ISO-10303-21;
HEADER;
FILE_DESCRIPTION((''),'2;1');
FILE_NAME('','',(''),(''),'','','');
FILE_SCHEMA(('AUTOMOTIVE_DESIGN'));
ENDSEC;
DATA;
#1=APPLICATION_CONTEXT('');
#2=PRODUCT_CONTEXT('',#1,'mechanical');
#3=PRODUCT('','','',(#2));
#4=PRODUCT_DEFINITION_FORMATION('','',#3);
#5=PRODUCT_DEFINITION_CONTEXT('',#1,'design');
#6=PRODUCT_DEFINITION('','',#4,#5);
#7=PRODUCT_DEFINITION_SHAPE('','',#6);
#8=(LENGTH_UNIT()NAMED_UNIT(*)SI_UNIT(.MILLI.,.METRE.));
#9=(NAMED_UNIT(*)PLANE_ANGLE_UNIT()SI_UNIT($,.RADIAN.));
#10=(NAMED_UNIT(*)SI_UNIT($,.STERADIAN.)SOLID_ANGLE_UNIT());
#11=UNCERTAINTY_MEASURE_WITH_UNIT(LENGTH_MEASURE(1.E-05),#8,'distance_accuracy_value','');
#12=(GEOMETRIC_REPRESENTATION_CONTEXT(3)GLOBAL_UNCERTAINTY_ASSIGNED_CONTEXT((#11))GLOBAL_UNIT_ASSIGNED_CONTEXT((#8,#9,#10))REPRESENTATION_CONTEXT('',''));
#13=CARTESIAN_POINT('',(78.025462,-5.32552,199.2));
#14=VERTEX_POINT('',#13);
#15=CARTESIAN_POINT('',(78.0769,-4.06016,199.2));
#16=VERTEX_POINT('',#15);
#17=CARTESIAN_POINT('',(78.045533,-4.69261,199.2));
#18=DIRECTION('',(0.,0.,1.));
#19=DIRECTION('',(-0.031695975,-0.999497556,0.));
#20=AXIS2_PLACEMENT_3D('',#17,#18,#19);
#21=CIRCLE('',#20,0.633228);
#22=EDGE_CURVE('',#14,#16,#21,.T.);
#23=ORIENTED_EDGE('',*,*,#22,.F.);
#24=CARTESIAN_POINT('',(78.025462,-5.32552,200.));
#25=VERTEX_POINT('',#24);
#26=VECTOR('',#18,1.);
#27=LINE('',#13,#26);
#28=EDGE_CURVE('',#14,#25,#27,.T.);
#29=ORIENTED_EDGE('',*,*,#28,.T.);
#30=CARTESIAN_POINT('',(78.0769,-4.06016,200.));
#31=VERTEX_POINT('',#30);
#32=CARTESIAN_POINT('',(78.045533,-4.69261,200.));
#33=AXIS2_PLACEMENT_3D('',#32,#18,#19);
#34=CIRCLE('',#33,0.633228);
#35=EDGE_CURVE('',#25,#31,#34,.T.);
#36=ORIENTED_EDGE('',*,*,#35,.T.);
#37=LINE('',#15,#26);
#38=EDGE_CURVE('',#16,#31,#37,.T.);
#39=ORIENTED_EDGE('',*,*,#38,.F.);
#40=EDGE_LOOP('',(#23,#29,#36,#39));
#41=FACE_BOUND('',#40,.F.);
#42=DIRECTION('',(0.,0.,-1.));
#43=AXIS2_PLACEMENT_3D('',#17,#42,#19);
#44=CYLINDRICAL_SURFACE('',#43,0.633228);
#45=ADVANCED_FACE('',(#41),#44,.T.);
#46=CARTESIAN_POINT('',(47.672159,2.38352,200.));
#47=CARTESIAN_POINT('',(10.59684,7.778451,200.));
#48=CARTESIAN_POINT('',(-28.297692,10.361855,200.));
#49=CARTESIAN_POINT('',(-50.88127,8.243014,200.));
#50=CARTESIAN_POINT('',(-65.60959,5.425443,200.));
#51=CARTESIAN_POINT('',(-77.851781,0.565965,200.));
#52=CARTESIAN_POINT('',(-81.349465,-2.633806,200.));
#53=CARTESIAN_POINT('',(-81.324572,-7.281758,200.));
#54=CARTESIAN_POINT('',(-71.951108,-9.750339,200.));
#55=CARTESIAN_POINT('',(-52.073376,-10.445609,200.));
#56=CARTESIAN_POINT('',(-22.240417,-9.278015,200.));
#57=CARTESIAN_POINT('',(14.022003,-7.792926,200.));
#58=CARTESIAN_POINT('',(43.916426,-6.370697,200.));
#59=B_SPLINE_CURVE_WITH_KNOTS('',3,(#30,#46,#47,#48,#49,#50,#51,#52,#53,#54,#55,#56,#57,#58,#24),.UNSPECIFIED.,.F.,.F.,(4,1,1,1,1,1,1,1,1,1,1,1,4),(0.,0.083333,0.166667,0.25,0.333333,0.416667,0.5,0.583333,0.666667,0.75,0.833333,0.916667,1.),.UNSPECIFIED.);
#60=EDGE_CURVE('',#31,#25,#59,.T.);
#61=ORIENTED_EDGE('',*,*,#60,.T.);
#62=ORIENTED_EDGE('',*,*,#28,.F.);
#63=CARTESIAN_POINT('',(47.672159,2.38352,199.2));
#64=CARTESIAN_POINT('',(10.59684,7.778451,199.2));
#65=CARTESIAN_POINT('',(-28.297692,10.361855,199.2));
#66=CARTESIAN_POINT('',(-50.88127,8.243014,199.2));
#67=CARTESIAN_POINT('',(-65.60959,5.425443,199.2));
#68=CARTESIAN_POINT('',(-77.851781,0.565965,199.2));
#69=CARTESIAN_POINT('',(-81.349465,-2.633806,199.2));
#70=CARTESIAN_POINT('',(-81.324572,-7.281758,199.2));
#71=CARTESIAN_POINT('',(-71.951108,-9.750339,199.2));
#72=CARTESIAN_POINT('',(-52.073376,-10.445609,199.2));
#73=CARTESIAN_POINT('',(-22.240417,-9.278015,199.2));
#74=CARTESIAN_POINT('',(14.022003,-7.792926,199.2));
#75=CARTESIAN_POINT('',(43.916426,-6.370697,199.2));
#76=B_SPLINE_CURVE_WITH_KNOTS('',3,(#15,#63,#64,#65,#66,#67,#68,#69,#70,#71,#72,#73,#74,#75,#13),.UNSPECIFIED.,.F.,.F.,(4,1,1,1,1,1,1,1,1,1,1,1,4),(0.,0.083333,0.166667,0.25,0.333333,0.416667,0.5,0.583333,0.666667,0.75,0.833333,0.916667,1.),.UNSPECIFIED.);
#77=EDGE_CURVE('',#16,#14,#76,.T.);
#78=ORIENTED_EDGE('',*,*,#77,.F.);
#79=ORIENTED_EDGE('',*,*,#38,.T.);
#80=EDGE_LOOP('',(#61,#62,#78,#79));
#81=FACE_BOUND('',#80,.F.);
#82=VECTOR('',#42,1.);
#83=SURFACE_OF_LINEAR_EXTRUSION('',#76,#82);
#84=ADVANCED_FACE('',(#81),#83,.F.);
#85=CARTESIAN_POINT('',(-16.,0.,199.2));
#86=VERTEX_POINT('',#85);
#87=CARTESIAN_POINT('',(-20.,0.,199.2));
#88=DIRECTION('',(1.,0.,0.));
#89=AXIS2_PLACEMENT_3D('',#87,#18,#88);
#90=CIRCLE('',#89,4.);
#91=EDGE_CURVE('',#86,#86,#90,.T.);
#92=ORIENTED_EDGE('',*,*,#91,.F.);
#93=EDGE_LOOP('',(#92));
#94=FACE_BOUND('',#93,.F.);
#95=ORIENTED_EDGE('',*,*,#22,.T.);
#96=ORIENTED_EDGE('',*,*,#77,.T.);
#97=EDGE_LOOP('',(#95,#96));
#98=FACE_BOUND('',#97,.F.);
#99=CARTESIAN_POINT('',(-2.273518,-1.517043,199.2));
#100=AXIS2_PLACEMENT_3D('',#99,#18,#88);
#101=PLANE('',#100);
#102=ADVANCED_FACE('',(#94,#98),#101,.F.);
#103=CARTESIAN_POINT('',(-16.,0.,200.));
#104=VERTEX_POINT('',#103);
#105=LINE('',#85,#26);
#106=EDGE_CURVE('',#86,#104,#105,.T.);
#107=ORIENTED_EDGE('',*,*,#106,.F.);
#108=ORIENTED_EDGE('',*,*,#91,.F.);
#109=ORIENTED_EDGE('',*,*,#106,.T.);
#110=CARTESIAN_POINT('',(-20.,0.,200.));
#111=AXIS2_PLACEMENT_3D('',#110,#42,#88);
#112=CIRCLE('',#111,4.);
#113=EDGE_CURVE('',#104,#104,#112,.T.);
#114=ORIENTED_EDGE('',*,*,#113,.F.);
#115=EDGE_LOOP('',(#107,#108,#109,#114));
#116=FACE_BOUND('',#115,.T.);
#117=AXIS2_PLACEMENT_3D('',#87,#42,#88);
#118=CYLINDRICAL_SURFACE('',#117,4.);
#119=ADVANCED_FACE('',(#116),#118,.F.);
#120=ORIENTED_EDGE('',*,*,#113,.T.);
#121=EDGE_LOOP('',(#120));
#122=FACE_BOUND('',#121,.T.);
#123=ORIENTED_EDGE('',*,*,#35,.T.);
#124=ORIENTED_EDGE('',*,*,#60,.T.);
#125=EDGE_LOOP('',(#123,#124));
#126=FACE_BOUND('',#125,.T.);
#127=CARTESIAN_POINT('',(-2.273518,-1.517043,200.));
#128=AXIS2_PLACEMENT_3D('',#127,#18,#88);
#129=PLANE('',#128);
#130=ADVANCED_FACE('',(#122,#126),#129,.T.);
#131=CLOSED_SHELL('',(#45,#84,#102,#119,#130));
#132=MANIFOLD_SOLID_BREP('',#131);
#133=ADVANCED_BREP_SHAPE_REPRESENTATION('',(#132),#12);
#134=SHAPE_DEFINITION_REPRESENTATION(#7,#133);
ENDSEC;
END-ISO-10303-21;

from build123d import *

# Parameters (mm, degrees)
CYLINDER002_R     = 4
CYLINDER002_DEPTH = 200
PAD004_DEPTH      = 0.8


with BuildPart() as cylinder002:
    # Cylinder002 → Cylinder002 (new body)
    with BuildSketch(Plane(origin=(-20, 0, 0), x_dir=(1, 0, 0), z_dir=(0, 0, 1))):
        Circle(CYLINDER002_R)
    extrude(amount=CYLINDER002_DEPTH)


with BuildPart() as cut002:
    # Sketch004 → Pad004 (new body)
    with BuildSketch(Plane.XY):
        with BuildLine():
            ThreePointArc((78.025462, -5.32552), (78.678238, -4.71833), (78.0769, -4.06016))
            add(Edge.make_bspline(
                [(78.0769, -4.06016), (47.672159, 2.38352), (10.59684, 7.778451), (-28.297692, 10.361855), (-50.88127, 8.243014), (-65.60959, 5.425443), (-77.851781, 0.565965), (-81.349465, -2.633806), (-81.324572, -7.281758), (-71.951108, -9.750339), (-52.073376, -10.445609), (-22.240417, -9.278015), (14.022003, -7.792926), (43.916426, -6.370697), (78.025462, -5.32552)],
                knots=[0, 0, 0, 0, 0.083333, 0.166667, 0.25, 0.333333, 0.416667, 0.5, 0.583333, 0.666667, 0.75, 0.833333, 0.916667, 1, 1, 1, 1], degree=3))
        make_face()
    extrude(amount=PAD004_DEPTH)

    # Cut002: cut Cylinder002
    add(cylinder002.part, mode=Mode.SUBTRACT)


with BuildPart() as cut002_1:
    # Cut002 placement: moved
    add(cut002.part.moved(Location((0, 0, 199.2))))


solid = cut002_1.part
